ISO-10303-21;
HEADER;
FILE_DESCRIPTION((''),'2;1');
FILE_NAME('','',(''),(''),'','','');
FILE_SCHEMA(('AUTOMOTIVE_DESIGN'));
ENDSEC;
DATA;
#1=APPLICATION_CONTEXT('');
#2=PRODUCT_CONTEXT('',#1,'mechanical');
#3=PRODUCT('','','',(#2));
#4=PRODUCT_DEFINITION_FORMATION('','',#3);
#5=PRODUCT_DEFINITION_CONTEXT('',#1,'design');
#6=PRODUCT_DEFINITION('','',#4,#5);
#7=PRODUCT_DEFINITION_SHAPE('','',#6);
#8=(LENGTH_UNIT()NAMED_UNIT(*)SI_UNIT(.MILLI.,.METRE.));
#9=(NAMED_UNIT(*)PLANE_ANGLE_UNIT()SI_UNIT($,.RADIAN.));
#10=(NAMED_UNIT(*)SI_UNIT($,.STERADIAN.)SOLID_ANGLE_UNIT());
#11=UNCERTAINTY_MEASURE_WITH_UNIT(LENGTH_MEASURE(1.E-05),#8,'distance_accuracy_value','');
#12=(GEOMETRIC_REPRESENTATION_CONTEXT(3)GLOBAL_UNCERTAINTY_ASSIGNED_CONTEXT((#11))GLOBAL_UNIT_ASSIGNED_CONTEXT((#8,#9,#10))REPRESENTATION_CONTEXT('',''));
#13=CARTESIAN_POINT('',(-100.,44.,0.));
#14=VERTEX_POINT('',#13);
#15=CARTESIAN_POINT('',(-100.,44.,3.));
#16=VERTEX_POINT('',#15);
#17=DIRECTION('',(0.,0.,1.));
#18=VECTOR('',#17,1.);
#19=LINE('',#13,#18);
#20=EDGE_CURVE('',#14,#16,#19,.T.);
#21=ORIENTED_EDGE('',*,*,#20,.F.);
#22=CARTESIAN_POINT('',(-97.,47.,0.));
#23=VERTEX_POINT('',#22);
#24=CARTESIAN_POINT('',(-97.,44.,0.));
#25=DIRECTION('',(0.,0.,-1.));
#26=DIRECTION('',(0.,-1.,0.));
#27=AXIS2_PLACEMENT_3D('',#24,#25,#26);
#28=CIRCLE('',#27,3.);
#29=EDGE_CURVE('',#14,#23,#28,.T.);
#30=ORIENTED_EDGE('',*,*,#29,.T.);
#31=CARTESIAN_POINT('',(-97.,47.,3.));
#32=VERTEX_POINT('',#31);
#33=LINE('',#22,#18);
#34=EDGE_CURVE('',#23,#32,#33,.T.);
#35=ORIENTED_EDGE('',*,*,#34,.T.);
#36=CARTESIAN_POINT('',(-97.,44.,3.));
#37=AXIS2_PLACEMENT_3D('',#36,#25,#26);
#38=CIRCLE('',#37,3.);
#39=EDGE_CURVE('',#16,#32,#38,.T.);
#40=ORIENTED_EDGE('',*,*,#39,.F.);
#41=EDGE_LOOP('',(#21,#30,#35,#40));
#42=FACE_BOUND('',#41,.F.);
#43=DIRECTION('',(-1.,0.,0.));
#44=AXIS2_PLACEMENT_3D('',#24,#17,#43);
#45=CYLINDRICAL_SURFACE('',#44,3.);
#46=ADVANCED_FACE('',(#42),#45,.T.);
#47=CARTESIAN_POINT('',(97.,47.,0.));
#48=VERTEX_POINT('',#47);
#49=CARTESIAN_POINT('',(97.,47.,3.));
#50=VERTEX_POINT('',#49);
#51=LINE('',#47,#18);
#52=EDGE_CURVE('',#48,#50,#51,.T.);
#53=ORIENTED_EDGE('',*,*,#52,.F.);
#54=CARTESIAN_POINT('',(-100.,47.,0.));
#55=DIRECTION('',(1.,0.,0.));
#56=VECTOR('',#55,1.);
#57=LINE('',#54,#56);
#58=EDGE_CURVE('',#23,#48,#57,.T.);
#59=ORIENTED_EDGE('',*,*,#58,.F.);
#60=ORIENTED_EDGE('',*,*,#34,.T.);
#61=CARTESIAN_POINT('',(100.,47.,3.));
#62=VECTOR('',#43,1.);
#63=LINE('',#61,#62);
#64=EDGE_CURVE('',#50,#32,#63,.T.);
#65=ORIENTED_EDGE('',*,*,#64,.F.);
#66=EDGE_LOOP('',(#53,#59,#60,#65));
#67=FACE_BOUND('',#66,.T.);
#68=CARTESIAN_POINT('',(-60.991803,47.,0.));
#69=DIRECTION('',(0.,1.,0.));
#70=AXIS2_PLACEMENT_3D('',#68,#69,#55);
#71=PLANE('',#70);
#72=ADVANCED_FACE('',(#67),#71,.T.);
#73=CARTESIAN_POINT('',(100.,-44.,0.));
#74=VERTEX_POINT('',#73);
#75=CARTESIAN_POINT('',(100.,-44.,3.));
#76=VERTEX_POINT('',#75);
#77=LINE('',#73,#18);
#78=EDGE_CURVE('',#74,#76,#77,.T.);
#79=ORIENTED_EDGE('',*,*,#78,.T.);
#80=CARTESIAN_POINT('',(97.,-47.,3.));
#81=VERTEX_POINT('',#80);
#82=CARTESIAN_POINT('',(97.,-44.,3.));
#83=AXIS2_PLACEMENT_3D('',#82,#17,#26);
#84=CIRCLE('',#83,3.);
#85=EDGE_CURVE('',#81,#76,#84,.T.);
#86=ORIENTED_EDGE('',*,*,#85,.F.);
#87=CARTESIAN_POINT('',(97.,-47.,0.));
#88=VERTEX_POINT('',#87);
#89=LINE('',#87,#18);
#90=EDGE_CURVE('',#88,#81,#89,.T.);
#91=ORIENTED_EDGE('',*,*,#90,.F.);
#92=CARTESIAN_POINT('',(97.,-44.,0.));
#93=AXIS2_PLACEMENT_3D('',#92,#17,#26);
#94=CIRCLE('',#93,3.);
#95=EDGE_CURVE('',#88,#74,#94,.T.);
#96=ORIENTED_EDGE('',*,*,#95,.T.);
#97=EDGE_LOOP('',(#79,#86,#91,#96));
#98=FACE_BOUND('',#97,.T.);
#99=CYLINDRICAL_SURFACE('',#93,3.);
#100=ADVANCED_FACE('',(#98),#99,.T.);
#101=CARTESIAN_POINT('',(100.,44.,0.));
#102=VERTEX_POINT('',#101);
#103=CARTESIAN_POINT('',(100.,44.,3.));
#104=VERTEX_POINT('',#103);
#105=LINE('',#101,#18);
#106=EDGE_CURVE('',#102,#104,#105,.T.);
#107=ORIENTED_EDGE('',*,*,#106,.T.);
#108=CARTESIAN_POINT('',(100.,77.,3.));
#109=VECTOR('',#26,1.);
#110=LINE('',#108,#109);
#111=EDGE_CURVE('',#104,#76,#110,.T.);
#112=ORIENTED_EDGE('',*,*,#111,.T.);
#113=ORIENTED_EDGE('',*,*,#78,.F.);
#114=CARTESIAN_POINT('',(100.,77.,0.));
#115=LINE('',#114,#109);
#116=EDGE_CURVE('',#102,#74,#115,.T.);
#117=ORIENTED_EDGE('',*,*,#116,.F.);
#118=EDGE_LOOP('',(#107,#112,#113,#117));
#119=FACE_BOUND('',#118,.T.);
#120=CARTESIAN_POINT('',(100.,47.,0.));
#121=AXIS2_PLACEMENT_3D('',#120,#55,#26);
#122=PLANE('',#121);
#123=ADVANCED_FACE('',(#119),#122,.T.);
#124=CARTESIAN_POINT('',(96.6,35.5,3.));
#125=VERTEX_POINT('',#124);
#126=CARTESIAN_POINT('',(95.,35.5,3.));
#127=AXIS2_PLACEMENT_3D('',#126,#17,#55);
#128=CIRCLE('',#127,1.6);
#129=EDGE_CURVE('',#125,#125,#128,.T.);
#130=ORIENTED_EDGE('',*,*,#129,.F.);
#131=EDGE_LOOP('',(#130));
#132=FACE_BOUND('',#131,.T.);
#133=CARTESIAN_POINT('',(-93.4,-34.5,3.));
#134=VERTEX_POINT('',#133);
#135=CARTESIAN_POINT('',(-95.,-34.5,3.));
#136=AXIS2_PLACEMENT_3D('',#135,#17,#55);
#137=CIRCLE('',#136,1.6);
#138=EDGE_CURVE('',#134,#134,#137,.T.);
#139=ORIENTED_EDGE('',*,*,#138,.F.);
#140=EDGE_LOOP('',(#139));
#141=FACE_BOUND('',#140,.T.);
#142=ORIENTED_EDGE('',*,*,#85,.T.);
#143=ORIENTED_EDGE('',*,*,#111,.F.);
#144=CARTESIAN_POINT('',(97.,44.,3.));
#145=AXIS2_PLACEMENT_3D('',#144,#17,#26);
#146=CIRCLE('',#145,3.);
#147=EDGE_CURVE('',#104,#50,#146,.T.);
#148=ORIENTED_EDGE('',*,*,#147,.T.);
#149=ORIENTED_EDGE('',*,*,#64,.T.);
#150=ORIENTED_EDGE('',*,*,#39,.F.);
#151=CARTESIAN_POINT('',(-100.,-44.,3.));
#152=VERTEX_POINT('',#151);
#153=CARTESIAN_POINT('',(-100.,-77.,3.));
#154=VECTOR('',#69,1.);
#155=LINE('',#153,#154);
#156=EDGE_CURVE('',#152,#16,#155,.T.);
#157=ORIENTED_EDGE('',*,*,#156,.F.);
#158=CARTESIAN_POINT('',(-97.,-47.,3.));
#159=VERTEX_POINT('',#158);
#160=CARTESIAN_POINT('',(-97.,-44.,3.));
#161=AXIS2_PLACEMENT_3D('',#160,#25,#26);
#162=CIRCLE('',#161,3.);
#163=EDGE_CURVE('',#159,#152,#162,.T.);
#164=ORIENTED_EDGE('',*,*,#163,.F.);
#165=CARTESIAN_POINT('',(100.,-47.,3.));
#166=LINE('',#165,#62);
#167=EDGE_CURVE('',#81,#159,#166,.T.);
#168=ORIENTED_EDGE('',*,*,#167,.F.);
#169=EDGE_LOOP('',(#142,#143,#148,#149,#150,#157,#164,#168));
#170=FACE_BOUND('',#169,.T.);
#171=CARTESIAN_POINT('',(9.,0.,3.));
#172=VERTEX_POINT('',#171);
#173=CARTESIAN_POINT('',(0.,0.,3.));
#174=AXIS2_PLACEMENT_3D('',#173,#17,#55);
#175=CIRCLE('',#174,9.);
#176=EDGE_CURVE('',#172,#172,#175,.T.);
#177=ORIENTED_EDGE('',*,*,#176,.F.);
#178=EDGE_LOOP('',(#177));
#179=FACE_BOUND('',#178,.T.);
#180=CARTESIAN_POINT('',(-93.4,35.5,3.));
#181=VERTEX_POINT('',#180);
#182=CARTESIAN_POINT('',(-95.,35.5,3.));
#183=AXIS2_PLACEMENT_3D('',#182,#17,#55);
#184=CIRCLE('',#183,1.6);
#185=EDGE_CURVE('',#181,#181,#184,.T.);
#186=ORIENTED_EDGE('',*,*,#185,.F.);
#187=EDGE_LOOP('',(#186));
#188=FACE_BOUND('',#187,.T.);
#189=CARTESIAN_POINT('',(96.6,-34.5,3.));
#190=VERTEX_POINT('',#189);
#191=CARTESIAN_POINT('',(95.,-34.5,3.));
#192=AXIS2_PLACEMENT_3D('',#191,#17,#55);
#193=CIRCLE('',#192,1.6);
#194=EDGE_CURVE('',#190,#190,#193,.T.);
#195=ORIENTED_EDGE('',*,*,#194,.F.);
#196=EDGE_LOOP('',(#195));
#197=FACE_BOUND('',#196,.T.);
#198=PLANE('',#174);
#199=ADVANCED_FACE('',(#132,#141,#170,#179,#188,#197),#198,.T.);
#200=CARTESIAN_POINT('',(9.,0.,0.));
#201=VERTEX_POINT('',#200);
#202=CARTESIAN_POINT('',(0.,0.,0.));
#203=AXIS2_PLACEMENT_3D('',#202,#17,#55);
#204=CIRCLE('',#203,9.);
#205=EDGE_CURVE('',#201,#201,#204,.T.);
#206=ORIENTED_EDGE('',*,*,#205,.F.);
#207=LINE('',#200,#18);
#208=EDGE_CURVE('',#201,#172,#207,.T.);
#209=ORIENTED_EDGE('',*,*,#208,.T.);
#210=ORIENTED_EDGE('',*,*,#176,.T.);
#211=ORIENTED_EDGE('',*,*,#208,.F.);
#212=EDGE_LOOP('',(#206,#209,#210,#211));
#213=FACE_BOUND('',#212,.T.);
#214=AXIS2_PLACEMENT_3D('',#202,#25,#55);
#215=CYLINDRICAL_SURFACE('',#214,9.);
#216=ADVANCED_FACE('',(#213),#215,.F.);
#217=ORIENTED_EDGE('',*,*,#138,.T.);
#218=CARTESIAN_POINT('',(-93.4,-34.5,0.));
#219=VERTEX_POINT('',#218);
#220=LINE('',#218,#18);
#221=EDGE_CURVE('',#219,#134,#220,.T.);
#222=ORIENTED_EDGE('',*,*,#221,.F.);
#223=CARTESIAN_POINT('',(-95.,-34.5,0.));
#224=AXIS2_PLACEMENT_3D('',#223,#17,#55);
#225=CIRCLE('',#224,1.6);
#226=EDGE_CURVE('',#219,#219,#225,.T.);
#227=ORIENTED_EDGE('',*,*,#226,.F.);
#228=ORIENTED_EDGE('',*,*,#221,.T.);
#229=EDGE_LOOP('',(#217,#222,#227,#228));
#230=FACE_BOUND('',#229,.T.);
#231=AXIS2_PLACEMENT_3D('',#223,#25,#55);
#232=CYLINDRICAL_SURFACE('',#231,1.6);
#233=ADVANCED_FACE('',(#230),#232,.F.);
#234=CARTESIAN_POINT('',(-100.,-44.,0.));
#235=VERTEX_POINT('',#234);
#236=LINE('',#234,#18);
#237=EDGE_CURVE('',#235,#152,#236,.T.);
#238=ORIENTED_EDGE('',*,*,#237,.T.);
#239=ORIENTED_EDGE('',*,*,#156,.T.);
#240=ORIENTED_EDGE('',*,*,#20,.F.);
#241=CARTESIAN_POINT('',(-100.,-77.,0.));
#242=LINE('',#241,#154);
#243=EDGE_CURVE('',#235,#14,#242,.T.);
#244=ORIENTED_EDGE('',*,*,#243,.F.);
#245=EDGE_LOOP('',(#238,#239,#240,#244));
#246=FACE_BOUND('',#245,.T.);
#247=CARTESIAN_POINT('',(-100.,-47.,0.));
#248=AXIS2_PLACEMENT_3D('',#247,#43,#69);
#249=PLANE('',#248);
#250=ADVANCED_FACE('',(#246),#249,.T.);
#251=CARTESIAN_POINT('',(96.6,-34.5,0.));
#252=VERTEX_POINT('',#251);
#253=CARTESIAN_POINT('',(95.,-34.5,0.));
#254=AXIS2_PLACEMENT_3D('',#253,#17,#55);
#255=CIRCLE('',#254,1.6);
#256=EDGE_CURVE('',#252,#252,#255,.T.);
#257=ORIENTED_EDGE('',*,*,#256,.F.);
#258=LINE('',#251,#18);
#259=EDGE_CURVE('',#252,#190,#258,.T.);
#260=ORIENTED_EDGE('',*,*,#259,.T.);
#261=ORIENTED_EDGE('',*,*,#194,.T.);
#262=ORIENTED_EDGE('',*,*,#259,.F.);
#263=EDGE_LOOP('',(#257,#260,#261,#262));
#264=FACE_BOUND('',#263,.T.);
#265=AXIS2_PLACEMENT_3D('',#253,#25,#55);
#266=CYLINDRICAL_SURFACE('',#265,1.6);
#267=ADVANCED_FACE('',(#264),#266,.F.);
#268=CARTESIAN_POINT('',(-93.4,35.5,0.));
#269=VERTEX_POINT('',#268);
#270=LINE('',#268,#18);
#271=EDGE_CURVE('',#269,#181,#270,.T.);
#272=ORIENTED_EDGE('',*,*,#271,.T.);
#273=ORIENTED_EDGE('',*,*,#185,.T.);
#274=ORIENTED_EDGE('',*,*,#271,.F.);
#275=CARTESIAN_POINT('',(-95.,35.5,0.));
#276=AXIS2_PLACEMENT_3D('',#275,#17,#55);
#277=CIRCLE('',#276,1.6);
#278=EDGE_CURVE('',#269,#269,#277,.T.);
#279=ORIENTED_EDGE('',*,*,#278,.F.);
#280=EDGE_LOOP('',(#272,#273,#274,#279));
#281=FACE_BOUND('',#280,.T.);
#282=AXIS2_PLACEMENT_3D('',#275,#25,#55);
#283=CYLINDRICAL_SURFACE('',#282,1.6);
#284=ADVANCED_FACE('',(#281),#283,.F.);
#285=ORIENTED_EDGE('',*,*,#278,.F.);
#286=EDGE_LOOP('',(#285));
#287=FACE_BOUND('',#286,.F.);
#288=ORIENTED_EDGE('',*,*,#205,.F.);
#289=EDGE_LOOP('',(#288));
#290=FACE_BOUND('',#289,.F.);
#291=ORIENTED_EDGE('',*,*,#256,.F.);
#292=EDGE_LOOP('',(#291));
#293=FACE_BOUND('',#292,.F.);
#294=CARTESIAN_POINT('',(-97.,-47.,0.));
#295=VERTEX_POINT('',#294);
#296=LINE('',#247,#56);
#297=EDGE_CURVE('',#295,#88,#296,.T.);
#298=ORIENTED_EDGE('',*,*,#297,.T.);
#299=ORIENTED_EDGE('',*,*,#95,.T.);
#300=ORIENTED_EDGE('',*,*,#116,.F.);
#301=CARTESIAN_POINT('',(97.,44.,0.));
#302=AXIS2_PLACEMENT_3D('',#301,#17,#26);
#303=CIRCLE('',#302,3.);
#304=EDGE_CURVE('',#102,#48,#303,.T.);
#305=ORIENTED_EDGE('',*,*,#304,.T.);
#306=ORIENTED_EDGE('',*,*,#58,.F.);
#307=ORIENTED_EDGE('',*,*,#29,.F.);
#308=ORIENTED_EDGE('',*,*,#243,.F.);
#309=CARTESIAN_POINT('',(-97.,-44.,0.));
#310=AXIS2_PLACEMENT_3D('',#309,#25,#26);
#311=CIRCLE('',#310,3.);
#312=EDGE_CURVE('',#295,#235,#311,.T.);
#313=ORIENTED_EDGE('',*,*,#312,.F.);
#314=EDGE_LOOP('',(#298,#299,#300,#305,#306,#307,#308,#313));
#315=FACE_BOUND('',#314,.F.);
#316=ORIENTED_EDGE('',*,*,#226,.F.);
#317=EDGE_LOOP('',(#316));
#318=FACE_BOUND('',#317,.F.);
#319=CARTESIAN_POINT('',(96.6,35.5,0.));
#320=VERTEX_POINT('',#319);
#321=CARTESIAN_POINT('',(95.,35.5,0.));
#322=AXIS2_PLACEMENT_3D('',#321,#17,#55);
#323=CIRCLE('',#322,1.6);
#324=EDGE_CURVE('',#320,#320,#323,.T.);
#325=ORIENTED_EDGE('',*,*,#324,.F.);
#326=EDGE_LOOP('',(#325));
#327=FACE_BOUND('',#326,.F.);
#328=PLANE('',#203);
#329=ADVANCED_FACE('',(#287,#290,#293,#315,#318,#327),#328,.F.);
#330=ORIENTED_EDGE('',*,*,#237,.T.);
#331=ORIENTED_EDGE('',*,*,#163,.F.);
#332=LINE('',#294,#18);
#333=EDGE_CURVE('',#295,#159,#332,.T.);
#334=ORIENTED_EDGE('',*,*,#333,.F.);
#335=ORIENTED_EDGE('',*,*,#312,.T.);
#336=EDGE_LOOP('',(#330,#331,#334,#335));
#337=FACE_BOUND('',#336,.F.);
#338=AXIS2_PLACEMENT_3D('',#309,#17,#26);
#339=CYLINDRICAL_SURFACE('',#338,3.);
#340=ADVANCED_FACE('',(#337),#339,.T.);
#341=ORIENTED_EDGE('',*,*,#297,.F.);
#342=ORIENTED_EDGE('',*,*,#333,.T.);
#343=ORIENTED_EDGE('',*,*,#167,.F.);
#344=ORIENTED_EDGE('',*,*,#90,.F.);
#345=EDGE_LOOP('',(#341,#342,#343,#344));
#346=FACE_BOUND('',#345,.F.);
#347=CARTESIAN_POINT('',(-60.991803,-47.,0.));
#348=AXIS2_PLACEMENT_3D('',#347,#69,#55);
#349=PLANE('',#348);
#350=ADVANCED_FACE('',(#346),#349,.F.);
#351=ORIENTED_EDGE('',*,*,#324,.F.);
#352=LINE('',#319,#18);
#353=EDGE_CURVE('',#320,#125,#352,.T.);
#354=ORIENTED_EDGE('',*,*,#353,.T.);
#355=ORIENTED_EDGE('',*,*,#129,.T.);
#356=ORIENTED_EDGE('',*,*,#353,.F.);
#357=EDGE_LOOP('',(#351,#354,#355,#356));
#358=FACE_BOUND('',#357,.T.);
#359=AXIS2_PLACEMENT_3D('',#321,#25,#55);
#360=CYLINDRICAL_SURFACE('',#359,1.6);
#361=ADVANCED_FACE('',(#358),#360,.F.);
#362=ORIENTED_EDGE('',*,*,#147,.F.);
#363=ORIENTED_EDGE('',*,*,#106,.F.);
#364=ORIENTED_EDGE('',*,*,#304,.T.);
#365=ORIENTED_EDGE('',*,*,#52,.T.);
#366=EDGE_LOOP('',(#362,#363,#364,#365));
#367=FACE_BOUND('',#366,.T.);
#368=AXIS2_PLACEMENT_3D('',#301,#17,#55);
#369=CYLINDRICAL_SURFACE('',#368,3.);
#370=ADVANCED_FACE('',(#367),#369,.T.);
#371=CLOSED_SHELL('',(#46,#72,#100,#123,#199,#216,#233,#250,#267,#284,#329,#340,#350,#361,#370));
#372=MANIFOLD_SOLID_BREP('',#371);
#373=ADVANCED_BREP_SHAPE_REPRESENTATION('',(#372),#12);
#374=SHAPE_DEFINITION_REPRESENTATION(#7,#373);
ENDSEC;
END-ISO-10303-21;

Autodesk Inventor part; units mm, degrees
ref_plane "YZ Plane" through (0, 0, 0) normal (1, 0, 0) x (0, 1, 0)
ref_plane "XZ Plane" through (0, 0, 0) normal (0, 1, 0) x (-1, 0, 0)
ref_plane "XY Plane" through (0, 0, 0) normal (0, 0, 1) x (1, 0, 0)
sketch "スケッチ1" plane through (0, 0, 0) normal (0, 0, 1) x (1, 0, 0)
  circle A0 centre (0, 0) radius 9
  circle A1 centre (0, 0) radius 77
  line L0 (100, -77) -> (-100, -77)
  line L1 (-100, -77) -> (-100, 77)
  line L2 (-100, 77) -> (100, 77)
  line L3 (100, 77) -> (100, -77)
  line L4 (100, -77) -> (-100, 77) construction
  line L5 (-100, -77) -> (100, 77) construction
  line L6 (-100, 47) -> (100, 47)
  circle A2 centre (-95, -34.5) radius 1.6
  circle A3 centre (-95, 35.5) radius 1.6
  circle A4 centre (95, 35.5) radius 1.6
  circle A5 centre (95, -34.5) radius 1.6
  line L7 (-100, -47) -> (100, -47)
  dimension "d0" = 18
  dimension "d1" = 154
  dimension "d2" = 200
  dimension "d3" = 30
  dimension "d4" = 3.2
  dimension "d5" = 3.2
  dimension "d6" = 3.2
  dimension "d7" = 3.2
  dimension "d9" = 5
  dimension "d11" = 5
  dimension "d12" = 70
  dimension "d13" = 5
  dimension "d15" = 5
  dimension "d16" = 70
  dimension "d19" = 11.5
  dimension "d20" = 11.5
  dimension "d21" = 30
extrude "押し出し1" add sketch "スケッチ1" along normal blind 3 contours A1 L7 L6 | A1 L6 L3 L7 | A1 L7 L1 L6
fillet "フィレット1" radius 3 4 edges at (100, 47, 1.5) (100, -47, 1.5) (-100, -47, 1.5) (-100, 47, 1.5)
sketch "スケッチ2" plane through (0, 0, 3) normal (0, 0, 1) x (1, 0, 0)
  arc A0 (-97, 47) -> (-100, 44) centre (-97, 44) ccw projected
  line L0 (-100, 44) -> (-100, -44) projected
  arc A1 (-100, -44) -> (-97, -47) centre (-97, -44) ccw projected
  line L1 (-97, -47) -> (97, -47) projected
  arc A2 (97, -47) -> (100, -44) centre (97, -44) ccw projected
  line L2 (100, -44) -> (100, 44) projected
  arc A3 (100, 44) -> (97, 47) centre (97, 44) ccw projected
  line L3 (97, 47) -> (-97, 47) projected
  circle A4 centre (-95, -34.5) radius 1.6 projected
  circle A5 centre (-95, 35.5) radius 1.6 projected
  circle A6 centre (0, 0) radius 9 projected
  circle A7 centre (95, -34.5) radius 1.6 projected
  circle A8 centre (95, 35.5) radius 1.6 projected
equation "\"d16\" = d12"
equation "\"d20\" = d19"
equation "\"d21\" = d3"
properties part number "canon_plate"
